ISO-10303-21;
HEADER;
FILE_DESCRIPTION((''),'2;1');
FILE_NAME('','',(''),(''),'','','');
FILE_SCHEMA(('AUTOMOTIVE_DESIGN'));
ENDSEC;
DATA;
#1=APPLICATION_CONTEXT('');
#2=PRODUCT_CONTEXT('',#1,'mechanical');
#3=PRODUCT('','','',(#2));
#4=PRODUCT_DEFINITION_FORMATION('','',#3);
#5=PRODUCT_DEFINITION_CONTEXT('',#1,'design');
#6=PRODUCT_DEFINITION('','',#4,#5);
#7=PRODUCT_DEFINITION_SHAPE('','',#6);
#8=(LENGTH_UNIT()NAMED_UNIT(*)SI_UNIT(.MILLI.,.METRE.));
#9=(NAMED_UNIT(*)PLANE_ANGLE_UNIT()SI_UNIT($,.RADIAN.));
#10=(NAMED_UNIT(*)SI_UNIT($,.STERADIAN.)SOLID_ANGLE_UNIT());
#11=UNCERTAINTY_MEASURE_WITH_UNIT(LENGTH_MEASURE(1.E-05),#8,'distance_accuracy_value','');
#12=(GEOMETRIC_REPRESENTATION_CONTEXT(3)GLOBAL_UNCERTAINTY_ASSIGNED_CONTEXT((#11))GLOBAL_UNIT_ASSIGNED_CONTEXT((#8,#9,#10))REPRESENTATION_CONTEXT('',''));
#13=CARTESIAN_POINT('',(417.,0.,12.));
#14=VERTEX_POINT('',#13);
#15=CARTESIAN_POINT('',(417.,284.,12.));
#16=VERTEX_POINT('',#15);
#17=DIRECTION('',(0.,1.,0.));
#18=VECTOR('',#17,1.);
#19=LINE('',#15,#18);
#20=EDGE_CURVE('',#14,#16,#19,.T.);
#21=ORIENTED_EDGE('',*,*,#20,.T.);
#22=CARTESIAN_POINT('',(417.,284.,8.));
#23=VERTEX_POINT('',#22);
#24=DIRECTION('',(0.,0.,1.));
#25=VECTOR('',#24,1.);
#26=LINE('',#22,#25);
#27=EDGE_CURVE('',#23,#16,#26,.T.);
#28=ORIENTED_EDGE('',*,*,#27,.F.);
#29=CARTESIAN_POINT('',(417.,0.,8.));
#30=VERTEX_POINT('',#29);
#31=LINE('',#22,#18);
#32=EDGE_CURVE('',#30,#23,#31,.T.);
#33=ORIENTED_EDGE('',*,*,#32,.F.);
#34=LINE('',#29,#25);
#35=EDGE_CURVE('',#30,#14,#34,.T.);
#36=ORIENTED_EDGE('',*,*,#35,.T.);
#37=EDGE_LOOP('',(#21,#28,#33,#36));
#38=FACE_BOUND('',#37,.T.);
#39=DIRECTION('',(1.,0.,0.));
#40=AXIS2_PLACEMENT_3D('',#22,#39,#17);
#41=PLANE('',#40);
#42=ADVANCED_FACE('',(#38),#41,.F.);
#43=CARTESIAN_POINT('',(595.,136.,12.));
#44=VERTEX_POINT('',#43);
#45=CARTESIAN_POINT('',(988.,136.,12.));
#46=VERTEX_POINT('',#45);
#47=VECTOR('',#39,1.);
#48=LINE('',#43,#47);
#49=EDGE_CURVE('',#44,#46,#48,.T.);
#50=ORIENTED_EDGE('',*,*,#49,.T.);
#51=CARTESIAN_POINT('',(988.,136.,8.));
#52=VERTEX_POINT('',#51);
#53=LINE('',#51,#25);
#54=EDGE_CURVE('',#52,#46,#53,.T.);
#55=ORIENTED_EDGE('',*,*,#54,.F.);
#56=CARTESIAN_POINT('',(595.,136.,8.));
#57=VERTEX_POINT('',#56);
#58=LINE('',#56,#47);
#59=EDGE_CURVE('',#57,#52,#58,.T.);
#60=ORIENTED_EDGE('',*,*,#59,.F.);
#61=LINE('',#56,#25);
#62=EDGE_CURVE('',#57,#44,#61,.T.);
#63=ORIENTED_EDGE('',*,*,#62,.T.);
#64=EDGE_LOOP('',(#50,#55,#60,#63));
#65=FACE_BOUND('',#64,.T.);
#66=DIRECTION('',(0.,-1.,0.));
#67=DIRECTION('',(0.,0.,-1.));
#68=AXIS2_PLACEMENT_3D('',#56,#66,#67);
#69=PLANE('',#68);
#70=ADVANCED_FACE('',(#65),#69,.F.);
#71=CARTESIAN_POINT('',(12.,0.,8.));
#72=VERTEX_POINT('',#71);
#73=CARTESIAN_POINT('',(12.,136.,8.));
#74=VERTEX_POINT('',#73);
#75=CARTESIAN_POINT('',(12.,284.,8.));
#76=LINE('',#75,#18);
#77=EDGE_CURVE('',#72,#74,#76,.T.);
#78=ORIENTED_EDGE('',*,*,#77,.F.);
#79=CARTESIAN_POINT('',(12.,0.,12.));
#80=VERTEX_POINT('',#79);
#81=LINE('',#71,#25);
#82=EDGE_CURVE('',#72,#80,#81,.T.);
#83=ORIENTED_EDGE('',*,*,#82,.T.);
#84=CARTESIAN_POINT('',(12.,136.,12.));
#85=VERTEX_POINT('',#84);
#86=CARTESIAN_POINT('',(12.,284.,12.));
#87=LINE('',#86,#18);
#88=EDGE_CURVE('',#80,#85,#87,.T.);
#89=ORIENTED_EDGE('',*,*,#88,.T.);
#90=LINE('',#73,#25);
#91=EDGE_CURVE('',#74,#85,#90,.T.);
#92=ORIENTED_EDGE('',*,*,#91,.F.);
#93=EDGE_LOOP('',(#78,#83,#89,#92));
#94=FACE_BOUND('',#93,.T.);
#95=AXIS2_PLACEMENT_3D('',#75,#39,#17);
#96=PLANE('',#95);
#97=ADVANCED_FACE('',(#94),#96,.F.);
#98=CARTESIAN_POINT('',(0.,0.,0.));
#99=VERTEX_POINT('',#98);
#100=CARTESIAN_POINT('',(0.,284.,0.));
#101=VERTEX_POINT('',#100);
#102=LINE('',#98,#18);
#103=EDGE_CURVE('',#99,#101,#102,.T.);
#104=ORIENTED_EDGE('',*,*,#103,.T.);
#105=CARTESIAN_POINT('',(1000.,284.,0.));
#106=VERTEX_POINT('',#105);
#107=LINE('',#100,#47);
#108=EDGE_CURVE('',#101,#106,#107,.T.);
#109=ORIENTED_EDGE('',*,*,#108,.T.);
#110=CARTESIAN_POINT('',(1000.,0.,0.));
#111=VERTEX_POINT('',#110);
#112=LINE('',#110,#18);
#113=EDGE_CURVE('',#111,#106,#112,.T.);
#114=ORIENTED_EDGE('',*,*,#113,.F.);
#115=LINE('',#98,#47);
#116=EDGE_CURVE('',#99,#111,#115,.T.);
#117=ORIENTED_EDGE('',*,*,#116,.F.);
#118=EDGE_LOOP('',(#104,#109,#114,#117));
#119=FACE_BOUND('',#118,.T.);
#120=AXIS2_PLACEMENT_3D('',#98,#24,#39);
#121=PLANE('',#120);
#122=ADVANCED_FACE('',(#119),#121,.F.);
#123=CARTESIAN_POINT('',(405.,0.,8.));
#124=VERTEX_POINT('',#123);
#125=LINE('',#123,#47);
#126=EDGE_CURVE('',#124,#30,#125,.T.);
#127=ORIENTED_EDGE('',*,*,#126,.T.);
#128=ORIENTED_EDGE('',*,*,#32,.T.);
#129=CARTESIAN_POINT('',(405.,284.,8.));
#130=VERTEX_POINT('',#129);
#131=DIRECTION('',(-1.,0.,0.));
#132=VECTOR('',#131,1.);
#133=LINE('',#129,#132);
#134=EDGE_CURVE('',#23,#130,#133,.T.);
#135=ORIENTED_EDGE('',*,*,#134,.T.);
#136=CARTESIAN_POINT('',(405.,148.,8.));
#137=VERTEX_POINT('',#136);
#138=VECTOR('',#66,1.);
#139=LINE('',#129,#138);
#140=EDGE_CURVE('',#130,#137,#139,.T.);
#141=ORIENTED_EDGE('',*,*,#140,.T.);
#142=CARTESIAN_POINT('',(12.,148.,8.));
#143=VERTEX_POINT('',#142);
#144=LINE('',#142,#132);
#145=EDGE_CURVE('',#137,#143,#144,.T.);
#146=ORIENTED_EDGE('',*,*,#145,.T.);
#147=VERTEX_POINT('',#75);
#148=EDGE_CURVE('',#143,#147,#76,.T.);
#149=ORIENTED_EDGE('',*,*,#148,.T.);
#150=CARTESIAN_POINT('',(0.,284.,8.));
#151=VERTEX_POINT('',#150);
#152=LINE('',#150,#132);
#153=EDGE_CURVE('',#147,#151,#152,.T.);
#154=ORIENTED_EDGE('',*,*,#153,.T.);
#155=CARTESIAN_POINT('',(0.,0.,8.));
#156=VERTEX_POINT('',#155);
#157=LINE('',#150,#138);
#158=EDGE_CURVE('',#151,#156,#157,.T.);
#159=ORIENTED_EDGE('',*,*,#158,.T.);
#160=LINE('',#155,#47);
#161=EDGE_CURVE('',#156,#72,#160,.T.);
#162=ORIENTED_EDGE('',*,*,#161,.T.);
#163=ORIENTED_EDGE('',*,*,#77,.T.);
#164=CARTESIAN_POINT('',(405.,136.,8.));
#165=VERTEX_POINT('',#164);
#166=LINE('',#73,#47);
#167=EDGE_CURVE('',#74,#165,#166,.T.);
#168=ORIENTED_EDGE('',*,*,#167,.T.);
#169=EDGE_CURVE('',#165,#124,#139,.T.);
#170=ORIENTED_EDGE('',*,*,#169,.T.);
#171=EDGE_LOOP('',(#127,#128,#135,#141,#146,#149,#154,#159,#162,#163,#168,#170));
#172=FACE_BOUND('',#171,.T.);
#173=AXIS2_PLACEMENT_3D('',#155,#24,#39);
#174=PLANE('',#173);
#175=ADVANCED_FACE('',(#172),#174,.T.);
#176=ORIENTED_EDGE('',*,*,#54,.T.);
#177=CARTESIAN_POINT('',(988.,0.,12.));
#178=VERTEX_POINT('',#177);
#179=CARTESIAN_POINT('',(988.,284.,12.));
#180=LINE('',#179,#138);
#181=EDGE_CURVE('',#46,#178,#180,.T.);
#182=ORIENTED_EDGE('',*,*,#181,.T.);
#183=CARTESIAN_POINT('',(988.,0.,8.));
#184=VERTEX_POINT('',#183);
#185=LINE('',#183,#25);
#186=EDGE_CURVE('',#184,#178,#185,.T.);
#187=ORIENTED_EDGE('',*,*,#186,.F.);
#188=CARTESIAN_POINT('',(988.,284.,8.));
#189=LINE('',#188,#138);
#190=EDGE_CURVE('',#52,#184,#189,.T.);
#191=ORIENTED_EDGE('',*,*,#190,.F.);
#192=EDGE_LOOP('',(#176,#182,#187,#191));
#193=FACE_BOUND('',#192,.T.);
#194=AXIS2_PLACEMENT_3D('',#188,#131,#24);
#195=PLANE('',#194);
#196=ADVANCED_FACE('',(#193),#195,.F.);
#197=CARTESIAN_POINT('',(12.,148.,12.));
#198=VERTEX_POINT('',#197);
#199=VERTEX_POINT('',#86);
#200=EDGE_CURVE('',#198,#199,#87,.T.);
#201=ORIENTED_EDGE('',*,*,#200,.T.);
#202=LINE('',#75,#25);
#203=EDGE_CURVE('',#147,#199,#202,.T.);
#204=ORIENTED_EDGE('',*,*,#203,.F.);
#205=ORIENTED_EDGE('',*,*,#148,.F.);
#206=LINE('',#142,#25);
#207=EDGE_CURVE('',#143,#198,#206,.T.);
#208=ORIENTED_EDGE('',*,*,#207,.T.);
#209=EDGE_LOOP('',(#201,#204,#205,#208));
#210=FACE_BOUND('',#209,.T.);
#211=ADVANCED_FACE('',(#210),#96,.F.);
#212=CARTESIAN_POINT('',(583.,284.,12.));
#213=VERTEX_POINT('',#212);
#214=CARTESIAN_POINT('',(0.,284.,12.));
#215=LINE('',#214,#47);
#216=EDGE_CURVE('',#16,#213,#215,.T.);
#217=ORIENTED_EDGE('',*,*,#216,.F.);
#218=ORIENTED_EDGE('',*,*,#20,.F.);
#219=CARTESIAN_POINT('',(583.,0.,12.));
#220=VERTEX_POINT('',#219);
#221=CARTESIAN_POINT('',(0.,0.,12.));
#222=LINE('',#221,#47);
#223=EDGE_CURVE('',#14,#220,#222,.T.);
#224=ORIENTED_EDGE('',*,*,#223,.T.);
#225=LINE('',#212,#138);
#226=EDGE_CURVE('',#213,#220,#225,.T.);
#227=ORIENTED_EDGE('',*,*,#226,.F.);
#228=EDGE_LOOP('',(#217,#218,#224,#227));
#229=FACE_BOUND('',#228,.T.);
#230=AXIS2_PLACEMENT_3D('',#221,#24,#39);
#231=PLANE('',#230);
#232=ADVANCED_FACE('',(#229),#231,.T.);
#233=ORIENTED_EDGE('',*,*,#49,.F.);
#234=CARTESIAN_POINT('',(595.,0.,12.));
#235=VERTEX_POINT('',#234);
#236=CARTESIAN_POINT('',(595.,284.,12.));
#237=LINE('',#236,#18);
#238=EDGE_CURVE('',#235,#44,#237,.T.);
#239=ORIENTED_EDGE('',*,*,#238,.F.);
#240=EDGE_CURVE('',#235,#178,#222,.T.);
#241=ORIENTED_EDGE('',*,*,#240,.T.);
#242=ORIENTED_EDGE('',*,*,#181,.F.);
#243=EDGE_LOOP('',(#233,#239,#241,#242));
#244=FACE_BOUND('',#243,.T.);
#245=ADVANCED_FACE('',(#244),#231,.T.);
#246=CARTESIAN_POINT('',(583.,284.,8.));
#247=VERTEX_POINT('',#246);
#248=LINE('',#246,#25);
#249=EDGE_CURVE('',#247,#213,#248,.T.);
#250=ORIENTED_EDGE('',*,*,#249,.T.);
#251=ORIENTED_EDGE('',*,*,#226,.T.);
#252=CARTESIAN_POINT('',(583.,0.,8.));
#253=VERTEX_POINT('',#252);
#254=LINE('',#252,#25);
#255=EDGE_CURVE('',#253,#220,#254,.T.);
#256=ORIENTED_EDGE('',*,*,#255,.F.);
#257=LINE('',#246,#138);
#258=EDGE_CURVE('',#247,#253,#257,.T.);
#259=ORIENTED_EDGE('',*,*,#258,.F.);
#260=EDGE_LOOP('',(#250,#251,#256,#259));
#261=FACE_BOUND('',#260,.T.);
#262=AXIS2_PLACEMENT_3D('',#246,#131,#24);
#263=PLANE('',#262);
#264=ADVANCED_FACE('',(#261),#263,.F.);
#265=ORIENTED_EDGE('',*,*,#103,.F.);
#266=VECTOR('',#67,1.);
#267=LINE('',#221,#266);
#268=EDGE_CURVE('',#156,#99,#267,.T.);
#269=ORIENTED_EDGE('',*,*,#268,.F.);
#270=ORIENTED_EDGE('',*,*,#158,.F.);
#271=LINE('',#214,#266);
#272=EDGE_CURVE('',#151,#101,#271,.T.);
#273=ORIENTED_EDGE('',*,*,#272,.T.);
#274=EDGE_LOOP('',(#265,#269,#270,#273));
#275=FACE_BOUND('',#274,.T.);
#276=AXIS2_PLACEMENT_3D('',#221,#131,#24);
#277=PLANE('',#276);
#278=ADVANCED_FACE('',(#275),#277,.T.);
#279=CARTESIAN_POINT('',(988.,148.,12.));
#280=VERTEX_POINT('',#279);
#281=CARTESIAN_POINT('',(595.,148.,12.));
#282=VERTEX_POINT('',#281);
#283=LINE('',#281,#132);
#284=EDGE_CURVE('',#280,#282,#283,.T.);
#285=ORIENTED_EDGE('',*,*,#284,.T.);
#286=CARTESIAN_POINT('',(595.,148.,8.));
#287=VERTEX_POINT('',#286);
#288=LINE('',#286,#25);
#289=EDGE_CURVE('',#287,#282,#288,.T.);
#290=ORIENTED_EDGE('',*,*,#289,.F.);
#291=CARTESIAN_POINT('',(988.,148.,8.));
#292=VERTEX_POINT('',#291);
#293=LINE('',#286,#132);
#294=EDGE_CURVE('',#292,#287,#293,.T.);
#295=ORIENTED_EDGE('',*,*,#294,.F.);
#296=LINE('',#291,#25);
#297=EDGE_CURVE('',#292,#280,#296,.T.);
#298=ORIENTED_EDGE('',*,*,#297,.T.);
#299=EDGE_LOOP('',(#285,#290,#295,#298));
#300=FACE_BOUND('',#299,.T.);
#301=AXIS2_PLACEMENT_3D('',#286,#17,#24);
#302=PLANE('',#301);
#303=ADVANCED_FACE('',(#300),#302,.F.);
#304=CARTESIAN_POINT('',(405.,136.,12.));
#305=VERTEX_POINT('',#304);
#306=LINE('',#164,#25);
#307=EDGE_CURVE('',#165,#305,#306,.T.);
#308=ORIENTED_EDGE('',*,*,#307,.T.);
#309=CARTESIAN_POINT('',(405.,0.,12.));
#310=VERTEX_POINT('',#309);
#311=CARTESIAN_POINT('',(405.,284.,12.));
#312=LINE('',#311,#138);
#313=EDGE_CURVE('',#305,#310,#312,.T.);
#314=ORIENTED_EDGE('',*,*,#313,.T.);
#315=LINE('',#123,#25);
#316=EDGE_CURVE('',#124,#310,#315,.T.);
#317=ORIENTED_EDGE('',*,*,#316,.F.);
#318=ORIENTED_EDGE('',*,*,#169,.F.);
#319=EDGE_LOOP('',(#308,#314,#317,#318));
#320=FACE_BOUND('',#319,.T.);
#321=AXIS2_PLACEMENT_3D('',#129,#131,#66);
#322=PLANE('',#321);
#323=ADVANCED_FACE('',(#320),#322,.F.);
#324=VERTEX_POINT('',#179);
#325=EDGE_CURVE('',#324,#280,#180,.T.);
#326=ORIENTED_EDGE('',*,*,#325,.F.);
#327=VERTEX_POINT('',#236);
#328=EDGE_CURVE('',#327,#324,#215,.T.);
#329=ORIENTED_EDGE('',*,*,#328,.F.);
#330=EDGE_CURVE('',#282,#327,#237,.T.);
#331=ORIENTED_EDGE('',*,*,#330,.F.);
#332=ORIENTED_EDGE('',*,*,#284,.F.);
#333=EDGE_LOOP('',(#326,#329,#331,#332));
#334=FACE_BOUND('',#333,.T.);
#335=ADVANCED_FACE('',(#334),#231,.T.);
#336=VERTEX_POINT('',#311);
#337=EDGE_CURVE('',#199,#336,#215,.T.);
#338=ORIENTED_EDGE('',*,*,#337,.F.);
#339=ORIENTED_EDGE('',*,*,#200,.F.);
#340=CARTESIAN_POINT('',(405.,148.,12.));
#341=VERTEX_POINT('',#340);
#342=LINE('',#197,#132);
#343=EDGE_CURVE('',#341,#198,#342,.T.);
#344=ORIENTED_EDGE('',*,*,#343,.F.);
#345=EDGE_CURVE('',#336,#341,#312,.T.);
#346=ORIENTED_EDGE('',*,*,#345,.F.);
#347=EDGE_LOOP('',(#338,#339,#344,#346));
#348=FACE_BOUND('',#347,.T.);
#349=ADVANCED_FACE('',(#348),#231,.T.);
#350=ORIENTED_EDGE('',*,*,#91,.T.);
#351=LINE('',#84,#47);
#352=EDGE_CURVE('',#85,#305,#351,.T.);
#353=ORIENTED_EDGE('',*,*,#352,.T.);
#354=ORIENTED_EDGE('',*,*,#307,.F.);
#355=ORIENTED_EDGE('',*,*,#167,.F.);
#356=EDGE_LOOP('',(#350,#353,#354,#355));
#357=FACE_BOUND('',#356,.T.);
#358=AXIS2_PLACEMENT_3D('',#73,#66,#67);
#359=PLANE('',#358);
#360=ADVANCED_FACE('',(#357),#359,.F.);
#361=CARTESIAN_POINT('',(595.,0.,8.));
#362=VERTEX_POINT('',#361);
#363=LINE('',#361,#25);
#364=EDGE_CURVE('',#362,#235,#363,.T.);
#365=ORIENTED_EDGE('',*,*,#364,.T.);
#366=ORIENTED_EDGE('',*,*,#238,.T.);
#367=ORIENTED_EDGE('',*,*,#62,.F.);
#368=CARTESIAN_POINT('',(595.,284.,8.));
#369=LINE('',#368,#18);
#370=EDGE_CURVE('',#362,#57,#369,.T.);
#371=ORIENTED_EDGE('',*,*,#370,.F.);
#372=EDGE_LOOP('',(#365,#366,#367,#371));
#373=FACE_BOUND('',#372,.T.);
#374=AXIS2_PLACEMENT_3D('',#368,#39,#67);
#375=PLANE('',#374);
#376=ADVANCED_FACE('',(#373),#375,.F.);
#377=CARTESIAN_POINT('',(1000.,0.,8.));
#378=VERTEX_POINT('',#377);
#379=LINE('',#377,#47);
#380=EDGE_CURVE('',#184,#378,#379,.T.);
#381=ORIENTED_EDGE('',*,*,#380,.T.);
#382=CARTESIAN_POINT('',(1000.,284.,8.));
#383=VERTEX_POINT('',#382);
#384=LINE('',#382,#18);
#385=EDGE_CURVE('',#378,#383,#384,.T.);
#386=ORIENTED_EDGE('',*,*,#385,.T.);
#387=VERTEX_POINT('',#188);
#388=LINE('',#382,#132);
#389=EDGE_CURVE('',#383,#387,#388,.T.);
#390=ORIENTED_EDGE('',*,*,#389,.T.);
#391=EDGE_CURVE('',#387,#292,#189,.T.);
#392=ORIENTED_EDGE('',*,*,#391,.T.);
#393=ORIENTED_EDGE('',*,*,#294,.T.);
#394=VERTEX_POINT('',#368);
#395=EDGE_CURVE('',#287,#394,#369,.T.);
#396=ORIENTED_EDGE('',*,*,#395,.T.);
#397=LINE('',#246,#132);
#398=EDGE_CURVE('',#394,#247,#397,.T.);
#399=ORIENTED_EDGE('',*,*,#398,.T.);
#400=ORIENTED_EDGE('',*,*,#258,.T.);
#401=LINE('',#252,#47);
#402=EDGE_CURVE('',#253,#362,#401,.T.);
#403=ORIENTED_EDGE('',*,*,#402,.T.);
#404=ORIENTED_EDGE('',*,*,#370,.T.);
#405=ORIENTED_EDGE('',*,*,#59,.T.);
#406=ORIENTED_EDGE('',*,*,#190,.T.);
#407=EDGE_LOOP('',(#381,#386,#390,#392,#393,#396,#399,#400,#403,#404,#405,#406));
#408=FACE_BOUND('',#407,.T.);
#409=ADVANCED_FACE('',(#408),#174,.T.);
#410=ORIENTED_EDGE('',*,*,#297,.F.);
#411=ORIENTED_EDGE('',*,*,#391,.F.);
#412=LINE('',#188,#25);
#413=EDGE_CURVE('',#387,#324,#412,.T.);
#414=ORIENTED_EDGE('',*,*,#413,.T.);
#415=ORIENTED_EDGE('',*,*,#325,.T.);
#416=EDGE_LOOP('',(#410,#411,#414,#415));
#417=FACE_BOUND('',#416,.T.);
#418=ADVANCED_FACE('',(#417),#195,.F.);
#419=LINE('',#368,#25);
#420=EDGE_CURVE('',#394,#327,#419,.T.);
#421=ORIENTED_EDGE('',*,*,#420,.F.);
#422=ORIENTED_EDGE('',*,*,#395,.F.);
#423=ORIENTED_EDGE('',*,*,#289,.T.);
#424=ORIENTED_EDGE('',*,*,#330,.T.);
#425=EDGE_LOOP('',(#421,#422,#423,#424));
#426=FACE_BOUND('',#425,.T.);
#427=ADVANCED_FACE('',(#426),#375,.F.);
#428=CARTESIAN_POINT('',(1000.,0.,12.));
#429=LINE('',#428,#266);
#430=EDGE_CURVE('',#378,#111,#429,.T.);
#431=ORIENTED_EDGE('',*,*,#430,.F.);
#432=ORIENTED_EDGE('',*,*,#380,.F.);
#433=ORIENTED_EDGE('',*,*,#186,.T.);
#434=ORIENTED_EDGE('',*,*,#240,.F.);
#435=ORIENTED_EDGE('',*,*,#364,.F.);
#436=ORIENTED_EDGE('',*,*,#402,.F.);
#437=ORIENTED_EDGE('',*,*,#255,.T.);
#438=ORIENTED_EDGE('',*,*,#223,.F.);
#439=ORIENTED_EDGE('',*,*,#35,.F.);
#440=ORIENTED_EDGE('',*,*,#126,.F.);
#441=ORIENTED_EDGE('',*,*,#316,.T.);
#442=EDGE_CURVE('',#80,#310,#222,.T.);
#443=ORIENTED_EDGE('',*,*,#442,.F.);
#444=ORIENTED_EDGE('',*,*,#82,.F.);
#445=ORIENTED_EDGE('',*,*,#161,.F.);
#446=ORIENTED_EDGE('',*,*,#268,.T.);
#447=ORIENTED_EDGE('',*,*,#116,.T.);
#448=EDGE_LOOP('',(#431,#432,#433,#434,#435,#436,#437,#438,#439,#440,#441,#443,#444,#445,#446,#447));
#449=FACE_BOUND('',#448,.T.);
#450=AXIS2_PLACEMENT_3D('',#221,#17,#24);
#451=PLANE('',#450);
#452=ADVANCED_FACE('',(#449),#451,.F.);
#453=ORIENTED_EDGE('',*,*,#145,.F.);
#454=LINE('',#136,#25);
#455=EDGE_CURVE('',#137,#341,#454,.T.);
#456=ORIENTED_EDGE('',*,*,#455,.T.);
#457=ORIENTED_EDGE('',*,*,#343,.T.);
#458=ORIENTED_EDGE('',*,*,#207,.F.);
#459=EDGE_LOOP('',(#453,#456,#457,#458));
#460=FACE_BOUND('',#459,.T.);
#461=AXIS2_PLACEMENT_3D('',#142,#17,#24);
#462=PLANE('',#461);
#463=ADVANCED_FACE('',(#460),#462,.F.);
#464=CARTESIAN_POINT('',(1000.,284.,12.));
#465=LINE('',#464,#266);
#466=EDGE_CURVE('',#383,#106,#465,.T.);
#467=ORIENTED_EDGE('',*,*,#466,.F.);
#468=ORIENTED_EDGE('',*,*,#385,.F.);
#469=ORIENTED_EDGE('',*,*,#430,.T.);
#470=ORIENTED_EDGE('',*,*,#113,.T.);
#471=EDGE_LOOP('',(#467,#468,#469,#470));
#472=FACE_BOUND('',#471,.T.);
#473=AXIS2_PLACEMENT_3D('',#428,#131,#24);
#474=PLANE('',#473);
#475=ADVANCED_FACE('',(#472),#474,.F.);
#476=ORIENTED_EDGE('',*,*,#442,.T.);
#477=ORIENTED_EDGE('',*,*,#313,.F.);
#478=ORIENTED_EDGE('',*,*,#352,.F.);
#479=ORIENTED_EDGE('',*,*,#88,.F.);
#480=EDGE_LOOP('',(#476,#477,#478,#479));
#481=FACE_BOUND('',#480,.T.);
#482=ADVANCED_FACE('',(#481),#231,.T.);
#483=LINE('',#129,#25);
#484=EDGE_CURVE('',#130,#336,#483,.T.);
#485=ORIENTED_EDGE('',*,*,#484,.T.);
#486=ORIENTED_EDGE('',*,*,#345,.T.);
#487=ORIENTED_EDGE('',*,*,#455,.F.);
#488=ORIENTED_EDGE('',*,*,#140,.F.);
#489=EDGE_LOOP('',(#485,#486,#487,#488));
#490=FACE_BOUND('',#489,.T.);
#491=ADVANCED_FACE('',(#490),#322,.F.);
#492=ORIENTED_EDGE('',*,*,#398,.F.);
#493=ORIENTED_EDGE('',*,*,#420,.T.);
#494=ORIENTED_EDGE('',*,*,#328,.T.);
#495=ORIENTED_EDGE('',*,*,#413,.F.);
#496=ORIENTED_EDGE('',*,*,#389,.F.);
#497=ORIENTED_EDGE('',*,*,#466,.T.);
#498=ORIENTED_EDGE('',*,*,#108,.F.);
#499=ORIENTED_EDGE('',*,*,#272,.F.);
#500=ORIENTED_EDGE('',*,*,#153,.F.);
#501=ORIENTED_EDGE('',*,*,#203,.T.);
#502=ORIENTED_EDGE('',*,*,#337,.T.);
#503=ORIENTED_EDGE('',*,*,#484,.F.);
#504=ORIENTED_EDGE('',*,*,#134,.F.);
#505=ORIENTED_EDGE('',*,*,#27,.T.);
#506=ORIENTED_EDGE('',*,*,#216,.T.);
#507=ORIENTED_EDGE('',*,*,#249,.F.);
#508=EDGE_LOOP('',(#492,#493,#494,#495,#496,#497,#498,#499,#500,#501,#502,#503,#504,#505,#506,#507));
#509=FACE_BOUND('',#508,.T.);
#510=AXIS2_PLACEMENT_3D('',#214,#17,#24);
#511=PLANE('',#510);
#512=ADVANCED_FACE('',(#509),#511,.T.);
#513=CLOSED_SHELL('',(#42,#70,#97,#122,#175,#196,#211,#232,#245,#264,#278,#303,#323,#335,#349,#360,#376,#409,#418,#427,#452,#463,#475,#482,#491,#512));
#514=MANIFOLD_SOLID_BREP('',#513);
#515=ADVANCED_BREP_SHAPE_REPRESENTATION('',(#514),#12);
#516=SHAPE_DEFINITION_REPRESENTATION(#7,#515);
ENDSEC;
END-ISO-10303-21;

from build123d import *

# Parameters (mm, degrees)
PANEL_W                      = 1000
PANEL_H                      = 284
PANEL_PLY_DEPTH              = 12
SKETCH2_W                    = 12
SKETCH2_H                    = 284
VERTICAL_HOUSING_CUT_DEPTH   = 4
SKETCH3_W                    = 393
SKETCH3_H                    = 12
HORIZONTAL_HOUSING_CUT_DEPTH = 4


with BuildPart() as part:
    # Panel → Panel Ply (new body)
    with BuildSketch(Plane.XY):
        with Locations((500, 142)):
            Rectangle(PANEL_W, PANEL_H)
    extrude(amount=PANEL_PLY_DEPTH)

    # Sketch2 → Vertical Housing Cut (cut)
    with BuildSketch(Plane.XY.offset(12)):
        with Locations((6, 142)):
            Rectangle(SKETCH2_W, SKETCH2_H)
        with Locations((994, 142)):
            Rectangle(SKETCH2_W, SKETCH2_H)
        with Locations((411, 142)):
            Rectangle(SKETCH2_W, SKETCH2_H)
        with Locations((589, 142)):
            Rectangle(SKETCH2_W, SKETCH2_H)
    extrude(amount=-VERTICAL_HOUSING_CUT_DEPTH, mode=Mode.SUBTRACT)

    # Sketch3 → Horizontal Housing Cut (cut)
    with BuildSketch(Plane.XY.offset(12)):
        with Locations((208.5, 142)):
            Rectangle(SKETCH3_W, SKETCH3_H)
        with Locations((791.5, 142)):
            Rectangle(SKETCH3_W, SKETCH3_H)
    extrude(amount=-HORIZONTAL_HOUSING_CUT_DEPTH, mode=Mode.SUBTRACT)


solid = part.part
